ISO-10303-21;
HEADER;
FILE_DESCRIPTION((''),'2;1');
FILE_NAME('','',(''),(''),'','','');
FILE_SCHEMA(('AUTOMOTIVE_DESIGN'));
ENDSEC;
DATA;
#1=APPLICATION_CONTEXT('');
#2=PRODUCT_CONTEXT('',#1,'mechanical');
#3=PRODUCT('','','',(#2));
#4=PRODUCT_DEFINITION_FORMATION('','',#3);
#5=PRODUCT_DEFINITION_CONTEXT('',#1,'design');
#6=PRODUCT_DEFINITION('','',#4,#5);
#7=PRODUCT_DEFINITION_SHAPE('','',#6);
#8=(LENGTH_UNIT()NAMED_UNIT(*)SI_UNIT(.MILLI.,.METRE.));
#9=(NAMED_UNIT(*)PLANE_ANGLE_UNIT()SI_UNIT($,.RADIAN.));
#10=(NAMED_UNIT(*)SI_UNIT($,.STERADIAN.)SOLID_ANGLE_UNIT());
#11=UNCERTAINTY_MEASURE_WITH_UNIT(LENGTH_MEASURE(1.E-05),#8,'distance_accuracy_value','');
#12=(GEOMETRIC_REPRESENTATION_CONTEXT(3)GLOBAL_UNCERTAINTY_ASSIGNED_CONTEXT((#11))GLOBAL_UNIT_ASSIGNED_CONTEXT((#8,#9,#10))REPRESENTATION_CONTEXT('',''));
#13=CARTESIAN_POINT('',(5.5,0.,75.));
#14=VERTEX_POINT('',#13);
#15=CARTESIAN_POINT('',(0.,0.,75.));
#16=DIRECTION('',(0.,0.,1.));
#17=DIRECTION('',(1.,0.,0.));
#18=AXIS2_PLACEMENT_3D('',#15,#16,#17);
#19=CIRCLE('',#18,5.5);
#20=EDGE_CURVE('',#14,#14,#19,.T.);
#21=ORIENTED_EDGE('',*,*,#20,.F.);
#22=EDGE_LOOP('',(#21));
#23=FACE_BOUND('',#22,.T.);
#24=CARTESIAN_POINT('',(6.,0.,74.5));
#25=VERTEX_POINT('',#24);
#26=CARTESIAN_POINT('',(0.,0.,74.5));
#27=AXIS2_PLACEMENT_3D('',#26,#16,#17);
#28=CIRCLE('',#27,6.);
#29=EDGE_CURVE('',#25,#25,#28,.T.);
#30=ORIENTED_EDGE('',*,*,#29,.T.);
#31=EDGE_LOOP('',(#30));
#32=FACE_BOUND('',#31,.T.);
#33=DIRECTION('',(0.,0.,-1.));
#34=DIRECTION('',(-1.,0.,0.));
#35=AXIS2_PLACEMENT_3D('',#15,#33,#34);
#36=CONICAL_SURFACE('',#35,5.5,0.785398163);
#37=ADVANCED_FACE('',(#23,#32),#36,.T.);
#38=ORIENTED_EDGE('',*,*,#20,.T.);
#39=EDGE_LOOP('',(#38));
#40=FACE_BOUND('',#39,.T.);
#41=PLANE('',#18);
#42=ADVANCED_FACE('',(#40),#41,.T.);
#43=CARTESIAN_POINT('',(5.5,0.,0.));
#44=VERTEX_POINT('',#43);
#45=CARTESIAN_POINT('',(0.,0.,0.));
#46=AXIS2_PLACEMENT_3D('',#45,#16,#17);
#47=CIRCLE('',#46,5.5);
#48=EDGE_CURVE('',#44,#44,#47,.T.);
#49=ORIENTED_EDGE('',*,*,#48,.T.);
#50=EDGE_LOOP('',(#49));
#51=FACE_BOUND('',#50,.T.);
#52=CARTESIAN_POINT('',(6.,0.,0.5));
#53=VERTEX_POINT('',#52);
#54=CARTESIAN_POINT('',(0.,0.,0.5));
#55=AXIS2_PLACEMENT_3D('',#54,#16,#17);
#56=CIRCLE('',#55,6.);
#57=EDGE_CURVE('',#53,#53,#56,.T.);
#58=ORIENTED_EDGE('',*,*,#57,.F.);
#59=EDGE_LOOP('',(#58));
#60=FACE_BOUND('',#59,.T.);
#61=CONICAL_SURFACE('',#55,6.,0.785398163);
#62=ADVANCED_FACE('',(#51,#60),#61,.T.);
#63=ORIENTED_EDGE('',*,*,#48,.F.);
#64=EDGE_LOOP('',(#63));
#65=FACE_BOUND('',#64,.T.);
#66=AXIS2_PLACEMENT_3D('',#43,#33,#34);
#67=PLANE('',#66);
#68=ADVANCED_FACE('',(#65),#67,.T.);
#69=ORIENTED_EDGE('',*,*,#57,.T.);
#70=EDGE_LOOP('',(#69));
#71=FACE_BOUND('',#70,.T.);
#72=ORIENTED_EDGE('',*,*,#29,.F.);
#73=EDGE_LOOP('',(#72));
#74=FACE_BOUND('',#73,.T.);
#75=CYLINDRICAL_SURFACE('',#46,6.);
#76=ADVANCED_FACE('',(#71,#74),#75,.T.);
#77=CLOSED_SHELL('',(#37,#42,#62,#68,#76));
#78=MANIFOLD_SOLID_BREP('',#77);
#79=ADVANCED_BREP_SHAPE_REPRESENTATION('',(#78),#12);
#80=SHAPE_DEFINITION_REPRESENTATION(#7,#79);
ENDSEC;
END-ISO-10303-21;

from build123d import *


with BuildPart() as part:
    # 스케치1 → 회전1 (revolve)
    with BuildSketch(Plane(origin=(0, 0, 0), x_dir=(1, 0, 0), z_dir=(0, 1, 0))):
        Polygon((5.5, 0), (0, 0), (0, -75), (5.5, -75), (6, -74.5), (6, -0.5), align=None)
    revolve(axis=Axis((0, 0, 0), (0, 0, 1)))


solid = part.part
